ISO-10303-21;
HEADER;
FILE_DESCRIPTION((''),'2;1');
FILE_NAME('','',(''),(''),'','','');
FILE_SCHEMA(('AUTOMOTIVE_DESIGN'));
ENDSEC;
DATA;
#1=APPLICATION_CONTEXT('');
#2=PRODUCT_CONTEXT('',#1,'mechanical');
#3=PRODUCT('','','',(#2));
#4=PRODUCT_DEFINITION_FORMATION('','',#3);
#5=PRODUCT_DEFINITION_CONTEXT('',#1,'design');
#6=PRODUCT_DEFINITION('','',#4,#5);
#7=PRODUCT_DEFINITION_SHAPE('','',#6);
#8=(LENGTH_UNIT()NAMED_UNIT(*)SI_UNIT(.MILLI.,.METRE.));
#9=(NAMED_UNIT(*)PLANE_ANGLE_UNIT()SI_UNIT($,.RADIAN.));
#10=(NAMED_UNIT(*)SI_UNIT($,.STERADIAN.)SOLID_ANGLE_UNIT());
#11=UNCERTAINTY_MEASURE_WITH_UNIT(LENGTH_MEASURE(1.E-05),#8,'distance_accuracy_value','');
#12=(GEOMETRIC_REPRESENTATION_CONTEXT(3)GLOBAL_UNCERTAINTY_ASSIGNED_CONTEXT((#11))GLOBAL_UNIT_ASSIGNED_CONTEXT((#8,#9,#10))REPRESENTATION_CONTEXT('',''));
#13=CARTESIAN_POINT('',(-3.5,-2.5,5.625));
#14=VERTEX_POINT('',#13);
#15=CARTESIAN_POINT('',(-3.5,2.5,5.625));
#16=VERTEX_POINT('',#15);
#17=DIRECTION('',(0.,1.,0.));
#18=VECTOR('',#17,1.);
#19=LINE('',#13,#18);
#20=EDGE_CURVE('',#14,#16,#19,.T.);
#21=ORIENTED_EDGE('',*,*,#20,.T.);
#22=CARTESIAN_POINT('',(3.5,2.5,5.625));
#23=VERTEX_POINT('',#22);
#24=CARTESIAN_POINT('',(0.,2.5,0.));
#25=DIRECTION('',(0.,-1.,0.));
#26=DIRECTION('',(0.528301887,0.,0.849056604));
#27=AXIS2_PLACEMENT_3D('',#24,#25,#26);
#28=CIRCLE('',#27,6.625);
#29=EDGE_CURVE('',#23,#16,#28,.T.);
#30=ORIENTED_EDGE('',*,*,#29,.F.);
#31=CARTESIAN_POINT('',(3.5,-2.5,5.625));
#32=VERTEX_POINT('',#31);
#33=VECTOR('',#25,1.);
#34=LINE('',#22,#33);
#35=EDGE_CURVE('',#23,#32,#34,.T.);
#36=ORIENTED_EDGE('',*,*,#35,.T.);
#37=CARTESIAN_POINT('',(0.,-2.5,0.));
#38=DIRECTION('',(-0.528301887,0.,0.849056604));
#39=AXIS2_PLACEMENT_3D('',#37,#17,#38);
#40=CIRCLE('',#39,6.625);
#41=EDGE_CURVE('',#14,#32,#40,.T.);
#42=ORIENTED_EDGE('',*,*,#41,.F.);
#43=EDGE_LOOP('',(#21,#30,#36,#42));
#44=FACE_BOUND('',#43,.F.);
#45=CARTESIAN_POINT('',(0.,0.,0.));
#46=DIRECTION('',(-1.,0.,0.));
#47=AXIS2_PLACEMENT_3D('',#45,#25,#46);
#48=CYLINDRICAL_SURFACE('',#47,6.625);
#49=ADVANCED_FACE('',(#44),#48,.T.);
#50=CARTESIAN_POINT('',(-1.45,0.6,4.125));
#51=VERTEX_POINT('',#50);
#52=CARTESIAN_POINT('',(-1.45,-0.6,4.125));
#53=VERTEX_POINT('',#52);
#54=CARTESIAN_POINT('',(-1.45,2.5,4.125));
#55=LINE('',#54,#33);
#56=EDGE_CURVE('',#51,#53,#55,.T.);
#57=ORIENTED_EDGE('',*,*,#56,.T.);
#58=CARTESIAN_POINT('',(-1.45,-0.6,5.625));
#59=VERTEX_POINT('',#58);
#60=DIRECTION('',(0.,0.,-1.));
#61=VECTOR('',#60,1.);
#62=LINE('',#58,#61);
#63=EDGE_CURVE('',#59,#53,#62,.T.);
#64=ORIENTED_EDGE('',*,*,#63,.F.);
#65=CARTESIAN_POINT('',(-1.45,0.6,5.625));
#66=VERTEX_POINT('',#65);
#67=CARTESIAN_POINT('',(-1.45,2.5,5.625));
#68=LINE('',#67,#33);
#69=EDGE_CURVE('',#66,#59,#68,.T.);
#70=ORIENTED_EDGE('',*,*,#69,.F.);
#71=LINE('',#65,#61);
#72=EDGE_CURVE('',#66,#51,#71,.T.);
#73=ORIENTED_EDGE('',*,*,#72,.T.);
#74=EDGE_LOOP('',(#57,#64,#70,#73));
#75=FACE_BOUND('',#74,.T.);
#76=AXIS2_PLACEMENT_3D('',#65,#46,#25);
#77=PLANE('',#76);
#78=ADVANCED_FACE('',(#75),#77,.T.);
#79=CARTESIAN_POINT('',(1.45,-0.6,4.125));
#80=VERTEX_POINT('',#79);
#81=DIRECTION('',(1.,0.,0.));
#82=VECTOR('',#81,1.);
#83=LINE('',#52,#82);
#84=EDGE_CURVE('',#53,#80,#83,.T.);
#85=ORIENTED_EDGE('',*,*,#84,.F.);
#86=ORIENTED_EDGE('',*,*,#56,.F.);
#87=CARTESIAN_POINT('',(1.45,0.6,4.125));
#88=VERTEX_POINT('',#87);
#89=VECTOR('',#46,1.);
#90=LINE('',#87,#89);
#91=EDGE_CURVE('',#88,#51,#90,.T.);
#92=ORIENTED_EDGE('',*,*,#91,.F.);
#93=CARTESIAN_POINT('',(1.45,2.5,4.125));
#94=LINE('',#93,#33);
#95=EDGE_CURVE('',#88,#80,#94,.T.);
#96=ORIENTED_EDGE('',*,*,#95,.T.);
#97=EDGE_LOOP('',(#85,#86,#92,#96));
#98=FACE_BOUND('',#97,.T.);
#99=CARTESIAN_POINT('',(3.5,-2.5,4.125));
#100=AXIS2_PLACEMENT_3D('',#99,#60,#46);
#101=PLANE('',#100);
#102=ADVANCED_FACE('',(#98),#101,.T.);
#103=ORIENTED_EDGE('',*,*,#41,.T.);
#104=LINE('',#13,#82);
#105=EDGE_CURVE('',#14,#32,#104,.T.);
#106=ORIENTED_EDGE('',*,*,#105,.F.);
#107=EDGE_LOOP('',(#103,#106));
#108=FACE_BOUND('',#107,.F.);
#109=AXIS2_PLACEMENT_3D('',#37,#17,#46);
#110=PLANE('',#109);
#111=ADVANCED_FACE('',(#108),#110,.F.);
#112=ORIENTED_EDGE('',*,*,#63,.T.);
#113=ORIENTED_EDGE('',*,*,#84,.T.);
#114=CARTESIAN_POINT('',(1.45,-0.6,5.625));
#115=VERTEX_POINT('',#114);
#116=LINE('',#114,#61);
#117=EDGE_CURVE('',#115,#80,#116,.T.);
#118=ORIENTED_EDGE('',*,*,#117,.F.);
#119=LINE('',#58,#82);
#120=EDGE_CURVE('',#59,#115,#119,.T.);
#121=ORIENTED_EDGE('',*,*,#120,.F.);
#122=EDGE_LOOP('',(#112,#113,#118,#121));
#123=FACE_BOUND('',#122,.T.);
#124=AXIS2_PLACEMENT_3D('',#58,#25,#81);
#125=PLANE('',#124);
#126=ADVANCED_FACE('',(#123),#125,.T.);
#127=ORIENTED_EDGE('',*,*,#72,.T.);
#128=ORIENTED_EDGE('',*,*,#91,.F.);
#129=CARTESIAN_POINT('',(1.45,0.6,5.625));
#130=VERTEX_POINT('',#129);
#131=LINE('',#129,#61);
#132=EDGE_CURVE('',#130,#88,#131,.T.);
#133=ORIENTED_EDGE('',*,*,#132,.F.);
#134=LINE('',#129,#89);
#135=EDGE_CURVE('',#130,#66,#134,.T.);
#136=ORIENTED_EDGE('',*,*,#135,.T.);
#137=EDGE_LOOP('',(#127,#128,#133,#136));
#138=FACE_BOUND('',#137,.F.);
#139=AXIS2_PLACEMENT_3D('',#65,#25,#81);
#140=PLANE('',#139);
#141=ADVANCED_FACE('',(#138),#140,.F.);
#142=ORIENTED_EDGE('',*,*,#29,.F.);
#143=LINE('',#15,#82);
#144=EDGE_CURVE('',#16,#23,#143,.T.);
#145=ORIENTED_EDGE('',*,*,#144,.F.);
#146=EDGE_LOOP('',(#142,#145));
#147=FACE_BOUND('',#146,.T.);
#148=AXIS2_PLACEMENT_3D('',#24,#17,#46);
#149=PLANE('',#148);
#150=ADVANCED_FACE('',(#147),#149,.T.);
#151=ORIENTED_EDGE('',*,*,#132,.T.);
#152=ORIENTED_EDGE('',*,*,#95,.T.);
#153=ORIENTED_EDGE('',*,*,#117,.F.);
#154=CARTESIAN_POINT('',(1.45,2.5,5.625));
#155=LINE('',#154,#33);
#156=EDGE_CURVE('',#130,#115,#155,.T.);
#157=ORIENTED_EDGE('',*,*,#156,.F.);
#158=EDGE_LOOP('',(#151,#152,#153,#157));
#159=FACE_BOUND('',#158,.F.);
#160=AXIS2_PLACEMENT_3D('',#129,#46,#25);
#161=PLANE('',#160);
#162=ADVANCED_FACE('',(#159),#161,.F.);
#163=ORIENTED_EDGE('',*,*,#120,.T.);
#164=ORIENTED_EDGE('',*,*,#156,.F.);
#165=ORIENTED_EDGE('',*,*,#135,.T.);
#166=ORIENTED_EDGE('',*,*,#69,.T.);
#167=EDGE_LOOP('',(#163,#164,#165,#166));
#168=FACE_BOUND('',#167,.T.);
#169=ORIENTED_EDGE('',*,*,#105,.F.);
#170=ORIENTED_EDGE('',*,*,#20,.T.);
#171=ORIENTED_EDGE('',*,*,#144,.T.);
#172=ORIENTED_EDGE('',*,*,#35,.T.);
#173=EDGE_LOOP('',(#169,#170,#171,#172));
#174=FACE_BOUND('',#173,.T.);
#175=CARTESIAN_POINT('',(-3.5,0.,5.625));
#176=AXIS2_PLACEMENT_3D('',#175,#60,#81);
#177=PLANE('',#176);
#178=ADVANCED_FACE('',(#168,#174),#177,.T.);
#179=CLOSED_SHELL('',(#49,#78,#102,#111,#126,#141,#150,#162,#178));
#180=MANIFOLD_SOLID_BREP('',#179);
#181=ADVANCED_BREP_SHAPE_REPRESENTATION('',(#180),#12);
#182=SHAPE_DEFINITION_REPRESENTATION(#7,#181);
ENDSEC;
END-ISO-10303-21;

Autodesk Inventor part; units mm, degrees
ref_plane "YZ Plane" through (0, 0, 0) normal (1, 0, 0) x (0, 1, 0)
ref_plane "XZ Plane" through (0, 0, 0) normal (0, 1, 0) x (-1, 0, 0)
ref_plane "XY Plane" through (0, 0, 0) normal (0, 0, 1) x (1, 0, 0)
sketch "スケッチ1" plane through (0, 0, 0) normal (0, 1, 0) x (-1, 0, 0)
  circle A0 centre (0, 0) radius 6.625
  line L0 (9.275, 0) -> (-9.275, 0) projected
  line L1 (3.5, 5.625) -> (-3.5, 5.625)
  line L2 (5.3064, 6.625) -> (-3.654, 6.625)
  dimension "d0" = 1
  dimension "d1" = 7
extrude "押し出し1" add sketch "スケッチ1" along normal mid plane 5 contours L1 A0
sketch "スケッチ2" plane through (3.5, -2.5, 5.625) normal (0, 0, -1) x (-1, 0, 0)
  line L0 (7, 0) -> (0, 0) projected
  line L1 (7, 5) -> (7, 0) projected
  line L2 (0, 5) -> (7, 5) projected
  line L3 (0, 0) -> (0, 5) projected
  line L4 (4.95, 5) -> (4.95, 0)
  line L5 (2.05, 5) -> (2.05, 0)
  line L6 (3.5, 2.5) -> (3.5, 5)
  line L7 (4.95, 3.1) -> (2.05, 3.1)
  line L8 (4.95, 1.9) -> (2.05, 1.9)
  dimension "d4" = 2.9
  dimension "d5" = 1.45
  dimension "d8" = 1.9
  dimension "d9" = 1.2
extrude "押し出し2" add sketch "スケッチ2" along normal blind 1.5 contours L8 L5 L7 L4
properties part number "ball"
